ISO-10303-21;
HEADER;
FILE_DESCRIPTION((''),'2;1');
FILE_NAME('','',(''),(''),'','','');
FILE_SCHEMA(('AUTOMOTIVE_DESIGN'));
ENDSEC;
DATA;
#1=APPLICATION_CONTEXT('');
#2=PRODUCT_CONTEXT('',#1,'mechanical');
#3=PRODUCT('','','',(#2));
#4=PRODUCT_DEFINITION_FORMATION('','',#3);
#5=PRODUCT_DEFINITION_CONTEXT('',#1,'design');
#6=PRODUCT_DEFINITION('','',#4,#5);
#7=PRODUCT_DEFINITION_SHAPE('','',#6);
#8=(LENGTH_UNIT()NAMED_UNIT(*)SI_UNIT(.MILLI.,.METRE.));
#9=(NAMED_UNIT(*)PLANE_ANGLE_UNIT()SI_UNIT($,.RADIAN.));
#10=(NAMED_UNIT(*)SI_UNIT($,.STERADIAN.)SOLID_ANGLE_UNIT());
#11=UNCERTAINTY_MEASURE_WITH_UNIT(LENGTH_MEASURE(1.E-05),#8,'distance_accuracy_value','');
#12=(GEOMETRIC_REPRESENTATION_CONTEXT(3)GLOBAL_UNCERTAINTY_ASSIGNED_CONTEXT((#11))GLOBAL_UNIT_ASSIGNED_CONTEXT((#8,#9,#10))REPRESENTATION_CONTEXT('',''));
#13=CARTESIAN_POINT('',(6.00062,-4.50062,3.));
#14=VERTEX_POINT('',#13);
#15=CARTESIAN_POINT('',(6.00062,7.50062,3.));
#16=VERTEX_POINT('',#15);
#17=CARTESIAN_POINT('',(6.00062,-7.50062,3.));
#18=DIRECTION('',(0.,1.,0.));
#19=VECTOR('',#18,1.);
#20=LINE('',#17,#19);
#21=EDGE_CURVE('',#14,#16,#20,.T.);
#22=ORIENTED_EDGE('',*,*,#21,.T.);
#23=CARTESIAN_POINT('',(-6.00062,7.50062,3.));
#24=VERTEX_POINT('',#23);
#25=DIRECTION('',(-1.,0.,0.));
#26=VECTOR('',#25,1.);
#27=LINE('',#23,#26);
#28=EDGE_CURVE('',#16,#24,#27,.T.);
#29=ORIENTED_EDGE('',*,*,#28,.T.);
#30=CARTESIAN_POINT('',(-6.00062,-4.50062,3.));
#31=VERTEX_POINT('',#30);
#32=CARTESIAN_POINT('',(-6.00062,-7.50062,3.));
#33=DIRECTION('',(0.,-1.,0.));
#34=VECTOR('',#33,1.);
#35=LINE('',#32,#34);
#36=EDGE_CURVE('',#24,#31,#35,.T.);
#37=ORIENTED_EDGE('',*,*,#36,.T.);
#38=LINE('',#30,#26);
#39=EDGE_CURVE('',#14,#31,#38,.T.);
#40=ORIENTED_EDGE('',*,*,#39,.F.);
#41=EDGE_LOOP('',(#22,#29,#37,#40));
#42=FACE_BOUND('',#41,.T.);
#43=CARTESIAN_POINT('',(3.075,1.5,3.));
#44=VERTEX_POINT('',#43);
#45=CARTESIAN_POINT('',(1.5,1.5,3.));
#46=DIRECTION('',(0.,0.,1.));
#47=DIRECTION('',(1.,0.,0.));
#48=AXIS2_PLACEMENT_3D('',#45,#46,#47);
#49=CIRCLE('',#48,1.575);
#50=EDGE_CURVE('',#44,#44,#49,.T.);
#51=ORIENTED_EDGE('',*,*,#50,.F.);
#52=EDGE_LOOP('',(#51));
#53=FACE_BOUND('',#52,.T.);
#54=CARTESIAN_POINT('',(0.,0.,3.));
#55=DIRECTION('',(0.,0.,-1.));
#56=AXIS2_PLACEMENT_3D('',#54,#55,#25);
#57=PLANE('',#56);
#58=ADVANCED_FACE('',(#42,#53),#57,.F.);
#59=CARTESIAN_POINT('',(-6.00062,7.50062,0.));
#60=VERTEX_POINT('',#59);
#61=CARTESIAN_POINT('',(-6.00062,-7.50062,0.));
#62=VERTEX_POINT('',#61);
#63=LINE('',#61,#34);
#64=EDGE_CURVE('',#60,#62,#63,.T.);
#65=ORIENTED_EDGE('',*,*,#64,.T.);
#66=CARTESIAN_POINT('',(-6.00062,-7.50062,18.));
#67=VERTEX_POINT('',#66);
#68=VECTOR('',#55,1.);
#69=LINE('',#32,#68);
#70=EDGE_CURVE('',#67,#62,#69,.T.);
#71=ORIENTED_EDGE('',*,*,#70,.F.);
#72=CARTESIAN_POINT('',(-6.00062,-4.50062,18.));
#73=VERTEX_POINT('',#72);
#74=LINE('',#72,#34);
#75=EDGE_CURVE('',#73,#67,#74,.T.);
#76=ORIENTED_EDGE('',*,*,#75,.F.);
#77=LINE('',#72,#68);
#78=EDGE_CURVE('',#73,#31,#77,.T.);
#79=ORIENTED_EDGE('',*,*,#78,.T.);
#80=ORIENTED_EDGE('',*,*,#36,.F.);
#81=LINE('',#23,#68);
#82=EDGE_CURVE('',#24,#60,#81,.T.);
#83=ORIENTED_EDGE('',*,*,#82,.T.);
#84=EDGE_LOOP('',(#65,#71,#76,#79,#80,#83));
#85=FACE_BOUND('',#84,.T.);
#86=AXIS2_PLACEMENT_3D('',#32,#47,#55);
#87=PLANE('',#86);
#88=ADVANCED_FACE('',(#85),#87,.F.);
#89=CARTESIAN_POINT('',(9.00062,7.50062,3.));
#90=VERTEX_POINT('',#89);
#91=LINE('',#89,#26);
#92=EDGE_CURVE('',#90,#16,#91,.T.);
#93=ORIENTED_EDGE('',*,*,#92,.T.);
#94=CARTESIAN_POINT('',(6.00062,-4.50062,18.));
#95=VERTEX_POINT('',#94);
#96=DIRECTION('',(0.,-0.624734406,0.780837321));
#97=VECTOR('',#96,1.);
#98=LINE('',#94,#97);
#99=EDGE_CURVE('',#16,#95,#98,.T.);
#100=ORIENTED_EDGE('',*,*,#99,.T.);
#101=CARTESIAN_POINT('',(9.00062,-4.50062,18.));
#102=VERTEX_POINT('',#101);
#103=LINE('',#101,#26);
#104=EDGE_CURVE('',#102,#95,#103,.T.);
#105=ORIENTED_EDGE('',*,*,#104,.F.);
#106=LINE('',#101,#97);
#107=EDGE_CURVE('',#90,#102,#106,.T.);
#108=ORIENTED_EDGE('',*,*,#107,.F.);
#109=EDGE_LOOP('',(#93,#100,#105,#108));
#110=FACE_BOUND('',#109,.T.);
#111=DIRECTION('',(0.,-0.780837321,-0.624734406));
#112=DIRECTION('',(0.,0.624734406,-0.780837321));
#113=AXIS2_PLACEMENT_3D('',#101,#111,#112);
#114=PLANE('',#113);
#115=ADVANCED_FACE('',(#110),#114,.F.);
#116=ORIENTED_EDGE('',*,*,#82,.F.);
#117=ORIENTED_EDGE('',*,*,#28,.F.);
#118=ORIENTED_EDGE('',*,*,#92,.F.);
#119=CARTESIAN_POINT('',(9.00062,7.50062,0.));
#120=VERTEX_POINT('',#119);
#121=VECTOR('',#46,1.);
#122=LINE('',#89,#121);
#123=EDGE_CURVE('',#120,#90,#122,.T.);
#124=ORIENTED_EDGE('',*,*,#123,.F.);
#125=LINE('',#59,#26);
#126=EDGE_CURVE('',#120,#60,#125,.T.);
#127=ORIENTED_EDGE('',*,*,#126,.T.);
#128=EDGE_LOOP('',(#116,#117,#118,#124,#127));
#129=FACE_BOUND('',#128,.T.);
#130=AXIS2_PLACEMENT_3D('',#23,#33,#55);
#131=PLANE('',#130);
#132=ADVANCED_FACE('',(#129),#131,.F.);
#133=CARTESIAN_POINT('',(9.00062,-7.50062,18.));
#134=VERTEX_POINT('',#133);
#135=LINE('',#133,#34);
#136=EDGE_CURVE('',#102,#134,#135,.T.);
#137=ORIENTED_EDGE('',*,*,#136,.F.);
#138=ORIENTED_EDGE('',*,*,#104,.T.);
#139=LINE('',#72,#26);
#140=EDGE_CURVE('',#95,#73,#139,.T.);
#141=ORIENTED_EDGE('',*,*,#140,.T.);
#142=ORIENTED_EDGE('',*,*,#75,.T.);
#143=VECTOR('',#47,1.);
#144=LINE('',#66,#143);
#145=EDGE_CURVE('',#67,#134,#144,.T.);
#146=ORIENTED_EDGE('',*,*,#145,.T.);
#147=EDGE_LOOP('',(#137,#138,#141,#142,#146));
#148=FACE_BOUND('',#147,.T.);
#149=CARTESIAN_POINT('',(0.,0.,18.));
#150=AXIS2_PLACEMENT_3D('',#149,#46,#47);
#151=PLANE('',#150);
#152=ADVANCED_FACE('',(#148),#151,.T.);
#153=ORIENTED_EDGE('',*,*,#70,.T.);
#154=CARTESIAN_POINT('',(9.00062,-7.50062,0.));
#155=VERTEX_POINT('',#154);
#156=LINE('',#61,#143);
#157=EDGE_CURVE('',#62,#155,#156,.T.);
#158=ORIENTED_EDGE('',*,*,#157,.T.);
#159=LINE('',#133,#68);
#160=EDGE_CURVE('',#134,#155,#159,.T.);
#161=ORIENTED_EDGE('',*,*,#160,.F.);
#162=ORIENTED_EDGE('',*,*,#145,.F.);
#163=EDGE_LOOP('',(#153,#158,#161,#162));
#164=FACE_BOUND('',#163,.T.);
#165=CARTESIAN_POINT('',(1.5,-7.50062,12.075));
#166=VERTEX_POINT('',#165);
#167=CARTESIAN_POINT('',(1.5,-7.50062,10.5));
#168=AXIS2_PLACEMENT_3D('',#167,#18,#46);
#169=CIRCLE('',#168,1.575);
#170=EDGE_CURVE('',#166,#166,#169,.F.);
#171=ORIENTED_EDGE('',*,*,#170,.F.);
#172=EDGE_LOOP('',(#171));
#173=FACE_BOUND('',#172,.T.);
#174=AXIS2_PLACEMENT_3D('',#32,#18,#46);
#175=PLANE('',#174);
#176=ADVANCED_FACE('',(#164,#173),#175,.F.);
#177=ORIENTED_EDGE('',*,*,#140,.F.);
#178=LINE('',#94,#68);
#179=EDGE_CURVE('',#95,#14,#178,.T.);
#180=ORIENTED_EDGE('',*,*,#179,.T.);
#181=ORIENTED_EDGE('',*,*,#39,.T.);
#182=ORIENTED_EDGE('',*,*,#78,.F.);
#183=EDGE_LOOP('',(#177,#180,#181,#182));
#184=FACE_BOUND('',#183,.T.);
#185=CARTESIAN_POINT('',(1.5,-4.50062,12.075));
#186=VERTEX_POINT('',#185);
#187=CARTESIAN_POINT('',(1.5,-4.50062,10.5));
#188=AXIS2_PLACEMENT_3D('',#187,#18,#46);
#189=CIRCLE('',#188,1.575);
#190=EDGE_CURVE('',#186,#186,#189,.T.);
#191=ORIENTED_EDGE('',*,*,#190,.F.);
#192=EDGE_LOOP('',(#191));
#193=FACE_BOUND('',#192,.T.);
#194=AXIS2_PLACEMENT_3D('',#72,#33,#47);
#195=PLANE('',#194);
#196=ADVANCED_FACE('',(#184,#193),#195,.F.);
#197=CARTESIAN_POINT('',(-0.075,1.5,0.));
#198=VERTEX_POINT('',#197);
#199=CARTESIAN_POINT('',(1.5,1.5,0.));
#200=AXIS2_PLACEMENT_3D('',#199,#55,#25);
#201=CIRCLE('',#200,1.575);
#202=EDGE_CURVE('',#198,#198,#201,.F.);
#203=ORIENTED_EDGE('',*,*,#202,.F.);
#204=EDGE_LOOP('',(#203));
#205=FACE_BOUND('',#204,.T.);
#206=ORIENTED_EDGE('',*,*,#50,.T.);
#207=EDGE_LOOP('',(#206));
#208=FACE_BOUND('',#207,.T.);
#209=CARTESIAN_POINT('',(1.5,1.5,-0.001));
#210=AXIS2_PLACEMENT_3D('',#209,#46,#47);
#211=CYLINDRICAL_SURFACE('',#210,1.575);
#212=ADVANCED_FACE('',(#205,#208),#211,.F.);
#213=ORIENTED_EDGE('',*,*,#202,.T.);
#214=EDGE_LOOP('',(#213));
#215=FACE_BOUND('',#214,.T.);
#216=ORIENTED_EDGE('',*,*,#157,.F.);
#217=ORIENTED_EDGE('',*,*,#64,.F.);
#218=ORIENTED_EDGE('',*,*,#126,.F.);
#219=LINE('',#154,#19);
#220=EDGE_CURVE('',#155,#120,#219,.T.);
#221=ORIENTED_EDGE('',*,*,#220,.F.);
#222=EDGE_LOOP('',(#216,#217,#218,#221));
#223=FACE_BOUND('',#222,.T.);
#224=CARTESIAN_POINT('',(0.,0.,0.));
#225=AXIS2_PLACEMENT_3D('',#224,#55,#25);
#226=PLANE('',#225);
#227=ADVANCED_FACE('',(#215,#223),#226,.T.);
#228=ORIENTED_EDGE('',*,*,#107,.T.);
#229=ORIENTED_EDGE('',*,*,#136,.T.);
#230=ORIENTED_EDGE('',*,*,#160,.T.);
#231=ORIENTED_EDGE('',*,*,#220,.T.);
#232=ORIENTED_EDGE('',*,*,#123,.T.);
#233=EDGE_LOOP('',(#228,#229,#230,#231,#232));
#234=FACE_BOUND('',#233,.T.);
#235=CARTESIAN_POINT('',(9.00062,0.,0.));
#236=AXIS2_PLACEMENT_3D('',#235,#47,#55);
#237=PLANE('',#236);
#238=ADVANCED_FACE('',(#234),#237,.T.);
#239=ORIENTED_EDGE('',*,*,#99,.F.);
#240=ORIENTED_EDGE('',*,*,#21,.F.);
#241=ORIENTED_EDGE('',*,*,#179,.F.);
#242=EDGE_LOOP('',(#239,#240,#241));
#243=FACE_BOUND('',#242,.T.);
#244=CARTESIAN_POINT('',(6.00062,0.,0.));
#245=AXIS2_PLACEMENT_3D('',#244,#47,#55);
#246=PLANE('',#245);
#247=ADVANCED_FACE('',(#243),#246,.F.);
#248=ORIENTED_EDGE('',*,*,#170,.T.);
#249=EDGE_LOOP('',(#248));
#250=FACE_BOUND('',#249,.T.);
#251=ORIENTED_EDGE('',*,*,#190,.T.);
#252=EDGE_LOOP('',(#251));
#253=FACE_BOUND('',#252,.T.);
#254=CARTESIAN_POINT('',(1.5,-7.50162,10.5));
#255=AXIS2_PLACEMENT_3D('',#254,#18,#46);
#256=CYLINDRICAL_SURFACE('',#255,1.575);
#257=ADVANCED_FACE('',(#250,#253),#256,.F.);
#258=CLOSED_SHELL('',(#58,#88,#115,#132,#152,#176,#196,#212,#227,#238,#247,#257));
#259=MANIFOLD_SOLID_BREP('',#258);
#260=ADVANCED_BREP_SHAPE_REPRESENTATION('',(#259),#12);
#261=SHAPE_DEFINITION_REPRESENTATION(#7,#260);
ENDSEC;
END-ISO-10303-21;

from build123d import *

# Parameters (mm, degrees)
BASE_PROFILE_SKETCH_W          = 12.001239904
BASE_PROFILE_SKETCH_H          = 15.00124
BASE_PROFILE_EXTRUDE_DEPTH     = 3
BACK_PROFILE_SKETCH_W          = 12.001239904
BACK_PROFILE_SKETCH_H          = 3
BACK_PROFILE_EXTRUDE_DEPTH     = 15
SIDE_PROFILE_EXTRUDE_DEPTH     = 3
BOTTOM_MOUNTING_HOLE_CUT_REACH = 5
BOTTOM_MOUNTING_HOLE_SKETCH_R  = 1.575
BACK_MOUNTING_HOLE_CUT_REACH   = 5
BACK_MOUNTING_HOLE_SKETCH_R    = 1.575


with BuildPart() as part:
    # Base Profile Sketch → Base Profile Extrude (new body)
    with BuildSketch(Plane.XY):
        Rectangle(BASE_PROFILE_SKETCH_W, BASE_PROFILE_SKETCH_H)
    extrude(amount=BASE_PROFILE_EXTRUDE_DEPTH)

    # Back Profile Sketch → Back Profile Extrude (add)
    with BuildSketch(Plane.XY.offset(3)):
        with Locations((0, -6.00062)):
            Rectangle(BACK_PROFILE_SKETCH_W, BACK_PROFILE_SKETCH_H)
    extrude(amount=BACK_PROFILE_EXTRUDE_DEPTH)

    # Side Profile Sketch → Side Profile Extrude (add)
    with BuildSketch(Plane(origin=(6.000619952, 0, 0), x_dir=(0, 0, -1), z_dir=(1, 0, 0))):
        Polygon((0, -7.50062), (0, 7.50062), (-3, 7.50062), (-18, -4.50062), (-18, -7.50062), align=None)
    extrude(amount=SIDE_PROFILE_EXTRUDE_DEPTH)

    # Bottom Mounting Hole Sketch → Bottom Mounting Hole Cut (cut, up to next)
    with BuildSketch(Plane.XY.offset(3), mode=Mode.PRIVATE) as bottom_mounting_hole_cut_sk1:
        with Locations((1.5, 1.5)):
            Circle(BOTTOM_MOUNTING_HOLE_SKETCH_R)
    bottom_mounting_hole_cut_tool1 = extrude(bottom_mounting_hole_cut_sk1.sketch, amount=-BOTTOM_MOUNTING_HOLE_CUT_REACH, mode=Mode.PRIVATE) & part.part
    add(bottom_mounting_hole_cut_tool1.solids().sort_by_distance((1.5, 1.5, 3))[0], mode=Mode.SUBTRACT)

    # Back Mounting Hole Sketch → Back Mounting Hole Cut (cut, up to next)
    with BuildSketch(Plane(origin=(0, -4.50062, 0), x_dir=(1, 0, 0), z_dir=(0, 1, 0)), mode=Mode.PRIVATE) as back_mounting_hole_cut_sk1:
        with Locations((1.5, -10.5)):
            Circle(BACK_MOUNTING_HOLE_SKETCH_R)
    back_mounting_hole_cut_tool1 = extrude(back_mounting_hole_cut_sk1.sketch, amount=-BACK_MOUNTING_HOLE_CUT_REACH, mode=Mode.PRIVATE) & part.part
    add(back_mounting_hole_cut_tool1.solids().sort_by_distance((1.5, -4.50062, 10.5))[0], mode=Mode.SUBTRACT)


solid = part.part
